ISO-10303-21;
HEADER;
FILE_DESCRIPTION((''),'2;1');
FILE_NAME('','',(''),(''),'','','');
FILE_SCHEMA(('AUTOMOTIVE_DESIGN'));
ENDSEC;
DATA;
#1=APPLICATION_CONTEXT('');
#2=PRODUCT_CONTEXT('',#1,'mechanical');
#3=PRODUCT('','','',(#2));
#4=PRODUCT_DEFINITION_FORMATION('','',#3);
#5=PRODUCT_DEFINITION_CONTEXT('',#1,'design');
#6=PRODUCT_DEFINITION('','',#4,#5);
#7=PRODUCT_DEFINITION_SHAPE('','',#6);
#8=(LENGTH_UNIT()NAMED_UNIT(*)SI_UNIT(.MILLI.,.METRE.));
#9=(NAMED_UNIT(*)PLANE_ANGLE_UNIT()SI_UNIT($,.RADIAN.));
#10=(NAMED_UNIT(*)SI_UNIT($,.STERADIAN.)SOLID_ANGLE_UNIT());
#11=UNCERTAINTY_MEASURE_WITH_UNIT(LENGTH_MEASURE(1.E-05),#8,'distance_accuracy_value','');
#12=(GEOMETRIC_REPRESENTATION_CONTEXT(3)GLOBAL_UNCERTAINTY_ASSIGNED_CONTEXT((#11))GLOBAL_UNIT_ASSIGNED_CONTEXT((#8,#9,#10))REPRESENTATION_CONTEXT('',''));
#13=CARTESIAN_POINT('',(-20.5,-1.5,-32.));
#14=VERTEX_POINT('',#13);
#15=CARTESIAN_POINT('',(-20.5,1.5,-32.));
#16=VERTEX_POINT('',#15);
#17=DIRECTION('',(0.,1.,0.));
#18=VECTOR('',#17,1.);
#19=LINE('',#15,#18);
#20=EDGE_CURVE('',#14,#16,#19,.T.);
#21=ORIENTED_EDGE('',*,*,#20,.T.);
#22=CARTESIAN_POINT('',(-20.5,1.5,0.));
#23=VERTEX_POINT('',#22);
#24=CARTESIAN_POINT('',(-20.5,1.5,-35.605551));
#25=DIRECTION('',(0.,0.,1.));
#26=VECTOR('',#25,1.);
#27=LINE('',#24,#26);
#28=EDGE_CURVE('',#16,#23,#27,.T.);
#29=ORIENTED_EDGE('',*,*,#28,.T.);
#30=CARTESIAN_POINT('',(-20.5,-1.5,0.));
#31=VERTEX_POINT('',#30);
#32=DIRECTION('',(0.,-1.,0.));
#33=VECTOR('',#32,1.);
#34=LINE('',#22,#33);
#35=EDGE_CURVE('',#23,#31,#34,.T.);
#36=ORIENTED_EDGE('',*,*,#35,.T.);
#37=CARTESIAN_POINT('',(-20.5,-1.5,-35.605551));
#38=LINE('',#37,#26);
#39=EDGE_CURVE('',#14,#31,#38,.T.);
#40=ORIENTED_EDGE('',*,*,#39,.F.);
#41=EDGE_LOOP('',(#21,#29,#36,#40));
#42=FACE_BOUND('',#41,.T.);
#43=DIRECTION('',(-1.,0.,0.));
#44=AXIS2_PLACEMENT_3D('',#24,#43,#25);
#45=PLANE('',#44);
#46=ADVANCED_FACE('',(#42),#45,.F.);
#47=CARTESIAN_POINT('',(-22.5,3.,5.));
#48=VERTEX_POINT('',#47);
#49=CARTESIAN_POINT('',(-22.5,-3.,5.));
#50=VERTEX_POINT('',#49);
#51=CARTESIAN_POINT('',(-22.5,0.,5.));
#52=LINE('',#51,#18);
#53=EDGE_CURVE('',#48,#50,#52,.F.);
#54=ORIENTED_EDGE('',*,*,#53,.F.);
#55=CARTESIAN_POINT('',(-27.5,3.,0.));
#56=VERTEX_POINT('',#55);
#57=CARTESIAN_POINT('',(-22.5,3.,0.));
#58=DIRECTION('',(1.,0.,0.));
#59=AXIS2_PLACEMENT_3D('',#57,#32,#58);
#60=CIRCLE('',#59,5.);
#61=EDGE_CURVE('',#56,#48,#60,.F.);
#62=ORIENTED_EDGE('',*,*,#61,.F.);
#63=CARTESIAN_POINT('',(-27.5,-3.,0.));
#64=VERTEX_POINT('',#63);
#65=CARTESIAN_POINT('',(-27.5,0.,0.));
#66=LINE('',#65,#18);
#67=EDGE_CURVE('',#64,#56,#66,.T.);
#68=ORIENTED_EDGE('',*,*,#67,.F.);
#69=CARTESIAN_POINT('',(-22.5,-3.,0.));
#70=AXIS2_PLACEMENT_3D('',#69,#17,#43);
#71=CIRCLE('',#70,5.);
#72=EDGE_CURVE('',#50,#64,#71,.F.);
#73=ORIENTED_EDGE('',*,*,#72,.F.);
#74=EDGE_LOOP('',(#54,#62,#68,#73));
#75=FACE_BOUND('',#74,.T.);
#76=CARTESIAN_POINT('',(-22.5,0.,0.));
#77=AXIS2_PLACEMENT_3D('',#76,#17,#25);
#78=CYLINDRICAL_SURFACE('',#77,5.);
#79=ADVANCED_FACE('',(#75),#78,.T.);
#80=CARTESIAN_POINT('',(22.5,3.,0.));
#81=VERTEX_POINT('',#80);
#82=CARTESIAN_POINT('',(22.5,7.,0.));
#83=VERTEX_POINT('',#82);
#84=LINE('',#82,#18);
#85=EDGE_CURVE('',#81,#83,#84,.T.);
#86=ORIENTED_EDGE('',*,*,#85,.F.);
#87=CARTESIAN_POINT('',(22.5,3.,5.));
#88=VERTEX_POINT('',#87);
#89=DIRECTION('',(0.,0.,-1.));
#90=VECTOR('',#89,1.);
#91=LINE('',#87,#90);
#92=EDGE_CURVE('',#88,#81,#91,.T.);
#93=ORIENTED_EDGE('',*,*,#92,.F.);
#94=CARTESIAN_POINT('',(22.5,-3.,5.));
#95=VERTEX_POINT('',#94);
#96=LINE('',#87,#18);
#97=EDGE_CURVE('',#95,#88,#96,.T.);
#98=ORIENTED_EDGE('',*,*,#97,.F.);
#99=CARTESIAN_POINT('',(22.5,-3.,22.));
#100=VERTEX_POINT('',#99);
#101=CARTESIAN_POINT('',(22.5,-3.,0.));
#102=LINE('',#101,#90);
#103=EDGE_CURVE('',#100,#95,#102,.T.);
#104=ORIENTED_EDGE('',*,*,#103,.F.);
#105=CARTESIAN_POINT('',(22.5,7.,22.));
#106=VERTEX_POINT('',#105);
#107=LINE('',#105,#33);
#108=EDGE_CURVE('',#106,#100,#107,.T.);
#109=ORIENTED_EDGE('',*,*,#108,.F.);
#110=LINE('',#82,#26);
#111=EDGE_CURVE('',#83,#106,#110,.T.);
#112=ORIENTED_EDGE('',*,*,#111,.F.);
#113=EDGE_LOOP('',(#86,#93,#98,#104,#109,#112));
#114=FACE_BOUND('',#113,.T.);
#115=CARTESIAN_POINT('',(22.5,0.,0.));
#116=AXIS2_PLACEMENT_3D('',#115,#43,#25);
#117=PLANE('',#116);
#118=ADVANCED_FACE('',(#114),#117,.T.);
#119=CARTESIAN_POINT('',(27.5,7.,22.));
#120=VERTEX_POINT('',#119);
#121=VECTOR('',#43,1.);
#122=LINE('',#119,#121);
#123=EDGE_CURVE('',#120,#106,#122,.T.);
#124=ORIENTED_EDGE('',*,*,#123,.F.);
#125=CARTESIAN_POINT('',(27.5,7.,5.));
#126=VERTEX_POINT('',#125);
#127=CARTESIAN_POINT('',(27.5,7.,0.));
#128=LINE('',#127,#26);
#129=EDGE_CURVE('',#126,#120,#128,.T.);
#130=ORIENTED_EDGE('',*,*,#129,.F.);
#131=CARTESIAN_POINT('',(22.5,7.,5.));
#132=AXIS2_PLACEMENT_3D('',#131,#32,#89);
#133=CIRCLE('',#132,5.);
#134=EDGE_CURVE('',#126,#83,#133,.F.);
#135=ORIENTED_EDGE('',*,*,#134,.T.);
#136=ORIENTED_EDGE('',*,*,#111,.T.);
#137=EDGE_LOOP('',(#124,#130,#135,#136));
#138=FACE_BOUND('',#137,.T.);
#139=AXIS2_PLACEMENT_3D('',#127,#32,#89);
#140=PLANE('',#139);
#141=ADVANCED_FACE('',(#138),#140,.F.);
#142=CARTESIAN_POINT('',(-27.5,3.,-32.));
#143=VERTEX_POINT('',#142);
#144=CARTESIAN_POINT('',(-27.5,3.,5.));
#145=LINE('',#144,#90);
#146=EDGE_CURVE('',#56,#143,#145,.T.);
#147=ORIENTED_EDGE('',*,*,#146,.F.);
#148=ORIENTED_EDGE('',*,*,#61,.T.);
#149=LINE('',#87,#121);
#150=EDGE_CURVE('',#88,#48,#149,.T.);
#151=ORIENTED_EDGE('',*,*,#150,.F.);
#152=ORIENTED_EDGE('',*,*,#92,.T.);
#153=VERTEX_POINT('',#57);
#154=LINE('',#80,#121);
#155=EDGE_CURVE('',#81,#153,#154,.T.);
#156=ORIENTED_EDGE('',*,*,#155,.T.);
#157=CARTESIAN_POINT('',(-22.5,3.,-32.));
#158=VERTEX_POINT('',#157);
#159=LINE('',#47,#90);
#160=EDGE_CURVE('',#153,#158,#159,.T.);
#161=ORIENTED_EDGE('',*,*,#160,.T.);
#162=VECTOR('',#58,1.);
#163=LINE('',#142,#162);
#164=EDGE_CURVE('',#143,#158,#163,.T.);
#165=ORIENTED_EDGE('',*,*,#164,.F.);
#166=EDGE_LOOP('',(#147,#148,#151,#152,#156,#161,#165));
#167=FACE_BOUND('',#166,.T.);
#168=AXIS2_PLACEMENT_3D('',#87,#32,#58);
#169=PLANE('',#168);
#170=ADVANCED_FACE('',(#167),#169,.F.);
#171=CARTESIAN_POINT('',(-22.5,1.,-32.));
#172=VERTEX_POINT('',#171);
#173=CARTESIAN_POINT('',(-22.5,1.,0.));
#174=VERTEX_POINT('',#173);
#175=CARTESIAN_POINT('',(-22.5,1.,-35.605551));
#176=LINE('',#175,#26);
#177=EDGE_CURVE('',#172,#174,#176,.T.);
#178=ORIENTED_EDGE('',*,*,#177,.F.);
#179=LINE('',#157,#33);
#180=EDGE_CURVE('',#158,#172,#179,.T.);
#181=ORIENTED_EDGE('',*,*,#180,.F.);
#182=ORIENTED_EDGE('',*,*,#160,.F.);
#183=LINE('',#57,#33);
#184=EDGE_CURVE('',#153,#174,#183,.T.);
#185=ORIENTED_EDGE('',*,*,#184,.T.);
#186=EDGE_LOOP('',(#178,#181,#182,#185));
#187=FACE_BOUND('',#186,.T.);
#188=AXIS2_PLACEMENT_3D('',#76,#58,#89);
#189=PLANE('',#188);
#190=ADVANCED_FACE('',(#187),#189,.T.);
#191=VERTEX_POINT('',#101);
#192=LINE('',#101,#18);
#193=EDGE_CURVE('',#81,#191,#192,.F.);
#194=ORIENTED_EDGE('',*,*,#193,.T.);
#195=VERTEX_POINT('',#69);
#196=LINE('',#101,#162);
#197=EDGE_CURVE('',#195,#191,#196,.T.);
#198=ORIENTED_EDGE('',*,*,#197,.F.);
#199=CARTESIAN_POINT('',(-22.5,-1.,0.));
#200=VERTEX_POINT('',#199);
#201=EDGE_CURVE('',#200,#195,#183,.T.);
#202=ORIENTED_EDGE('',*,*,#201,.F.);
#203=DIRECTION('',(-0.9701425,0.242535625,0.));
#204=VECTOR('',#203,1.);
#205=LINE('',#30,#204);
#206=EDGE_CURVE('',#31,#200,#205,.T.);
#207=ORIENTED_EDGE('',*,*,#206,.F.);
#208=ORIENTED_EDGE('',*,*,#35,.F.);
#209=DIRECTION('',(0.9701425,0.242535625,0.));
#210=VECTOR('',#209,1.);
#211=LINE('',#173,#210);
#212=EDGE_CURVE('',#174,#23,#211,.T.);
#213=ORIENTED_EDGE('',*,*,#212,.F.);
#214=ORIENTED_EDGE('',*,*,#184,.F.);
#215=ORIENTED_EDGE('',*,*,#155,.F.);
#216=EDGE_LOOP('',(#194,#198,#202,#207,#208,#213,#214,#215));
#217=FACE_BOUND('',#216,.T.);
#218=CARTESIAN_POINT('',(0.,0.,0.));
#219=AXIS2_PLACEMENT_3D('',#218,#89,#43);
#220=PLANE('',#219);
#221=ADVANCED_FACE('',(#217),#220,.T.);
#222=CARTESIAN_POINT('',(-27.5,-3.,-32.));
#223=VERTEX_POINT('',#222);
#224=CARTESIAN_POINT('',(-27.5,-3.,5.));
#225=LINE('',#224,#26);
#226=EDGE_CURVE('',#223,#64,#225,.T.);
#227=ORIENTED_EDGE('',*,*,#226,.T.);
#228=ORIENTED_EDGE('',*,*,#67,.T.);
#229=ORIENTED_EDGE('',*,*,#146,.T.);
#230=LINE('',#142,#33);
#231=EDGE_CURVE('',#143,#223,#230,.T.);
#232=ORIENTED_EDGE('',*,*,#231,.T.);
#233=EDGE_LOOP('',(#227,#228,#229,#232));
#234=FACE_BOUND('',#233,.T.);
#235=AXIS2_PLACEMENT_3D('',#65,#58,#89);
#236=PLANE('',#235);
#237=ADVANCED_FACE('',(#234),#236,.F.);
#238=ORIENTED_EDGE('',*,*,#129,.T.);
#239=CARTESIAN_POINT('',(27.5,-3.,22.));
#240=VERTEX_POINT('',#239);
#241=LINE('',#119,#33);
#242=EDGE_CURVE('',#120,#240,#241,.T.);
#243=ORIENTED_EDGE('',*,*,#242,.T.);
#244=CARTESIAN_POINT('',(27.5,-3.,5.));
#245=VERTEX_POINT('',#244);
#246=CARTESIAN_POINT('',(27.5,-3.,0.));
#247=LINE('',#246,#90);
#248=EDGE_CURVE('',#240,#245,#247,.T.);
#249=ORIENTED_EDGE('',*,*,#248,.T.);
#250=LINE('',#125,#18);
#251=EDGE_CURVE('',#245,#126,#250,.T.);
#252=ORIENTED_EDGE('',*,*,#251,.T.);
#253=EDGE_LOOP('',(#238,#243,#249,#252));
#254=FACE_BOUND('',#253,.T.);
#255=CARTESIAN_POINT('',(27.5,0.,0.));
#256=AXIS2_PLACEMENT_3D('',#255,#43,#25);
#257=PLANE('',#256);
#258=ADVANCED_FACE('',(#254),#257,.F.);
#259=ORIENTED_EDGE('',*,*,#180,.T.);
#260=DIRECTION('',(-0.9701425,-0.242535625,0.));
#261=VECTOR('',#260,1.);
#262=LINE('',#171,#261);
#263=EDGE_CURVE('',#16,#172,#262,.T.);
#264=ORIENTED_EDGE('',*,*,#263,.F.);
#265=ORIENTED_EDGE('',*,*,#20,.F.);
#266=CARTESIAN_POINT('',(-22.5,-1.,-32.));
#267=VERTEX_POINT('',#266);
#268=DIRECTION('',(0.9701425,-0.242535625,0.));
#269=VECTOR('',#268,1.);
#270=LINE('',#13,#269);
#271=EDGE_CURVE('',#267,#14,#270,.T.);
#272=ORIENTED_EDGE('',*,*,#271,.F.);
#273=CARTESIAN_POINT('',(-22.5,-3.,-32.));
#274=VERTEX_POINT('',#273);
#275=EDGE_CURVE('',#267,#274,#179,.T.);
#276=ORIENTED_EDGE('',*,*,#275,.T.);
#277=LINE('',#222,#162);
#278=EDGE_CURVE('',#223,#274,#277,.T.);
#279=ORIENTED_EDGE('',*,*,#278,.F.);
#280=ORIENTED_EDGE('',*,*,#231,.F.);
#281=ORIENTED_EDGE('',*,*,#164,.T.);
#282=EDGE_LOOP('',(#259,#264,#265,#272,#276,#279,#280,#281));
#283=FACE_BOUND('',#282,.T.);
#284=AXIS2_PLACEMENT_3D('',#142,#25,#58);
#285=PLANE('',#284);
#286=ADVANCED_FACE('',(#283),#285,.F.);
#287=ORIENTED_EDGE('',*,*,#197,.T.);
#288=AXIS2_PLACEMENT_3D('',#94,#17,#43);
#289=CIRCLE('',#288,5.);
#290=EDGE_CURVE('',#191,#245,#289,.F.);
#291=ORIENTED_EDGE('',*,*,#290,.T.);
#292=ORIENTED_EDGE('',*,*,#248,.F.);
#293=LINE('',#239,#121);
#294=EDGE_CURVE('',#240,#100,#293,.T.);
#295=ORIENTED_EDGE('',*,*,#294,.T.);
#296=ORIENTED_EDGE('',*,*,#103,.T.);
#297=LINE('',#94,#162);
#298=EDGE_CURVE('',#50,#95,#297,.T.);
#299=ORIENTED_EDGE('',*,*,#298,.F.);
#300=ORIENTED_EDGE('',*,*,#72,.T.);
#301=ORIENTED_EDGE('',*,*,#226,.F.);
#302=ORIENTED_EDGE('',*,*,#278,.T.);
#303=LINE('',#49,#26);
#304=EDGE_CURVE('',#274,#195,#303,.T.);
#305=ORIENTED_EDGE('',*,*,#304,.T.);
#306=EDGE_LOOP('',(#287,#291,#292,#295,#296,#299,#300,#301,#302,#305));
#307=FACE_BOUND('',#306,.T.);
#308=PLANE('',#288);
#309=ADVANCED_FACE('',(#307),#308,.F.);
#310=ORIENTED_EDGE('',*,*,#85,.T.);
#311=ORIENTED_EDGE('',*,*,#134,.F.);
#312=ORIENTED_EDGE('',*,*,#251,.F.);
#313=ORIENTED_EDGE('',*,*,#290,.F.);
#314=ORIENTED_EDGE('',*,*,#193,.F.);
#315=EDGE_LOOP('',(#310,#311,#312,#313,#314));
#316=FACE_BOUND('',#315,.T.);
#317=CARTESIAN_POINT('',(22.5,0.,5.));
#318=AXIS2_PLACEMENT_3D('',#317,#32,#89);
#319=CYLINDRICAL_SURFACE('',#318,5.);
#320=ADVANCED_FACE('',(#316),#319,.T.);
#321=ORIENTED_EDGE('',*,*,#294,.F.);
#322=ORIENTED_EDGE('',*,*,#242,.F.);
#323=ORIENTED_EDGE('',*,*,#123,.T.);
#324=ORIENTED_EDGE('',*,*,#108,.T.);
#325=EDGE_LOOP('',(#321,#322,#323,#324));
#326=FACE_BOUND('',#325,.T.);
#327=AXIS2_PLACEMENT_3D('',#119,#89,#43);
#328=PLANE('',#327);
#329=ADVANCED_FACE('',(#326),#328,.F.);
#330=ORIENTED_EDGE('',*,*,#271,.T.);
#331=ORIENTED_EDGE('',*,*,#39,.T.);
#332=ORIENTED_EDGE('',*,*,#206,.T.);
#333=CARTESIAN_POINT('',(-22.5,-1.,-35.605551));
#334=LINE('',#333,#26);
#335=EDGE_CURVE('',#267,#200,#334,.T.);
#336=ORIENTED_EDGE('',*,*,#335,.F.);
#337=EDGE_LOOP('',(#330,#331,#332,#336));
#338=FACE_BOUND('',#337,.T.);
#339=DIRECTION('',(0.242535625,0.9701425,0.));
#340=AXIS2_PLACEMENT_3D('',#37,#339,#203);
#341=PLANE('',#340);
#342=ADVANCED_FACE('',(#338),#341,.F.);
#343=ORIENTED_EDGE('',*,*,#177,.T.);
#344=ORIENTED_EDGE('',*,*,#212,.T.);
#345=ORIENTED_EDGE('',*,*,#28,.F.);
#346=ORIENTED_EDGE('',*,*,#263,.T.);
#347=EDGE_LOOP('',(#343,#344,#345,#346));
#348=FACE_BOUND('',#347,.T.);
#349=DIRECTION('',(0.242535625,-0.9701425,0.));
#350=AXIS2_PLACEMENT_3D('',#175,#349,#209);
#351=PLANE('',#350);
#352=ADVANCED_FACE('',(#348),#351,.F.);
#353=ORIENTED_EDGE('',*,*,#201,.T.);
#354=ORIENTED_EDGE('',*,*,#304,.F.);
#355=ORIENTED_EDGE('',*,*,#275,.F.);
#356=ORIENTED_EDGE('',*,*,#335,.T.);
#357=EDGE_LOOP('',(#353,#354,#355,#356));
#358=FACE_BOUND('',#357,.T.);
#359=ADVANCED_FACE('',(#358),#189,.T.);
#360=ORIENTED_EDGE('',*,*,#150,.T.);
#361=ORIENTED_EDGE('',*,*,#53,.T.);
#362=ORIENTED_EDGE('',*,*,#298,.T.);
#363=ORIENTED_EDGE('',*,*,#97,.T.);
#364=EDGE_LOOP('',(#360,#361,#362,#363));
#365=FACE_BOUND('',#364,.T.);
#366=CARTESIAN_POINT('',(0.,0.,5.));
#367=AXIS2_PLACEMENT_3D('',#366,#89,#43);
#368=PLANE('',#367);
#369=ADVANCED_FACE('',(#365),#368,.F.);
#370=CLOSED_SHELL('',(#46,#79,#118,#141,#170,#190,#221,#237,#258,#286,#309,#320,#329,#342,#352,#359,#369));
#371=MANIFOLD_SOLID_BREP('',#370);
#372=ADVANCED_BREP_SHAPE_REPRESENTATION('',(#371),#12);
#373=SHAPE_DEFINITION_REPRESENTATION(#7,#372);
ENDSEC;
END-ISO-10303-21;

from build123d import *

# Parameters (mm, degrees)
SKETCH1_W           = 45
SKETCH1_H           = 6
BOSS_EXTRUDE1_DEPTH = 5
SKETCH2_W           = 37
SKETCH2_H           = 6
BOSS_EXTRUDE2_DEPTH = 5
FILLET1_R           = 5
SKETCH3_W           = 22
SKETCH3_H           = 10
BOSS_EXTRUDE3_DEPTH = 5
FILLET2_R           = 5
BOSS_EXTRUDE4_DEPTH = 32


with BuildPart() as part:
    # Sketch1 → Boss-Extrude1 (new body)
    with BuildSketch(Plane.XY):
        Rectangle(SKETCH1_W, SKETCH1_H)
    extrude(amount=BOSS_EXTRUDE1_DEPTH)

    # Sketch2 → Boss-Extrude2 (add)
    with BuildSketch(Plane.ZY.offset(22.5)):
        with Locations((-13.5, 0)):
            Rectangle(SKETCH2_W, SKETCH2_H)
    extrude(amount=BOSS_EXTRUDE2_DEPTH)

    # Fillet1
    fillet1_edges = [part.edges().sort_by_distance(p)[0] for p in [
        (-27.5, 0, 5),
    ]]
    fillet(fillet1_edges, radius=FILLET1_R)

    # Sketch3 → Boss-Extrude3 (add)
    with BuildSketch(Plane(origin=(22.5, 0, 0), x_dir=(0, 0, -1), z_dir=(1, 0, 0))):
        with Locations((-11, 2)):
            Rectangle(SKETCH3_W, SKETCH3_H)
    extrude(amount=BOSS_EXTRUDE3_DEPTH)

    # Fillet2
    fillet2_edges = [part.edges().sort_by_distance(p)[0] for p in [
        (27.5, 2, 0),
    ]]
    fillet(fillet2_edges, radius=FILLET2_R)

    # Sketch5 → Boss-Extrude4 (add)
    with BuildSketch(Plane(origin=(0, 0, 0), x_dir=(-1, 0, 0), z_dir=(0, 0, -1))):
        Polygon((22.5, 1), (20.5, 1.5), (20.5, -1.5), (22.5, -1), align=None)
    extrude(amount=BOSS_EXTRUDE4_DEPTH)


solid = part.part
